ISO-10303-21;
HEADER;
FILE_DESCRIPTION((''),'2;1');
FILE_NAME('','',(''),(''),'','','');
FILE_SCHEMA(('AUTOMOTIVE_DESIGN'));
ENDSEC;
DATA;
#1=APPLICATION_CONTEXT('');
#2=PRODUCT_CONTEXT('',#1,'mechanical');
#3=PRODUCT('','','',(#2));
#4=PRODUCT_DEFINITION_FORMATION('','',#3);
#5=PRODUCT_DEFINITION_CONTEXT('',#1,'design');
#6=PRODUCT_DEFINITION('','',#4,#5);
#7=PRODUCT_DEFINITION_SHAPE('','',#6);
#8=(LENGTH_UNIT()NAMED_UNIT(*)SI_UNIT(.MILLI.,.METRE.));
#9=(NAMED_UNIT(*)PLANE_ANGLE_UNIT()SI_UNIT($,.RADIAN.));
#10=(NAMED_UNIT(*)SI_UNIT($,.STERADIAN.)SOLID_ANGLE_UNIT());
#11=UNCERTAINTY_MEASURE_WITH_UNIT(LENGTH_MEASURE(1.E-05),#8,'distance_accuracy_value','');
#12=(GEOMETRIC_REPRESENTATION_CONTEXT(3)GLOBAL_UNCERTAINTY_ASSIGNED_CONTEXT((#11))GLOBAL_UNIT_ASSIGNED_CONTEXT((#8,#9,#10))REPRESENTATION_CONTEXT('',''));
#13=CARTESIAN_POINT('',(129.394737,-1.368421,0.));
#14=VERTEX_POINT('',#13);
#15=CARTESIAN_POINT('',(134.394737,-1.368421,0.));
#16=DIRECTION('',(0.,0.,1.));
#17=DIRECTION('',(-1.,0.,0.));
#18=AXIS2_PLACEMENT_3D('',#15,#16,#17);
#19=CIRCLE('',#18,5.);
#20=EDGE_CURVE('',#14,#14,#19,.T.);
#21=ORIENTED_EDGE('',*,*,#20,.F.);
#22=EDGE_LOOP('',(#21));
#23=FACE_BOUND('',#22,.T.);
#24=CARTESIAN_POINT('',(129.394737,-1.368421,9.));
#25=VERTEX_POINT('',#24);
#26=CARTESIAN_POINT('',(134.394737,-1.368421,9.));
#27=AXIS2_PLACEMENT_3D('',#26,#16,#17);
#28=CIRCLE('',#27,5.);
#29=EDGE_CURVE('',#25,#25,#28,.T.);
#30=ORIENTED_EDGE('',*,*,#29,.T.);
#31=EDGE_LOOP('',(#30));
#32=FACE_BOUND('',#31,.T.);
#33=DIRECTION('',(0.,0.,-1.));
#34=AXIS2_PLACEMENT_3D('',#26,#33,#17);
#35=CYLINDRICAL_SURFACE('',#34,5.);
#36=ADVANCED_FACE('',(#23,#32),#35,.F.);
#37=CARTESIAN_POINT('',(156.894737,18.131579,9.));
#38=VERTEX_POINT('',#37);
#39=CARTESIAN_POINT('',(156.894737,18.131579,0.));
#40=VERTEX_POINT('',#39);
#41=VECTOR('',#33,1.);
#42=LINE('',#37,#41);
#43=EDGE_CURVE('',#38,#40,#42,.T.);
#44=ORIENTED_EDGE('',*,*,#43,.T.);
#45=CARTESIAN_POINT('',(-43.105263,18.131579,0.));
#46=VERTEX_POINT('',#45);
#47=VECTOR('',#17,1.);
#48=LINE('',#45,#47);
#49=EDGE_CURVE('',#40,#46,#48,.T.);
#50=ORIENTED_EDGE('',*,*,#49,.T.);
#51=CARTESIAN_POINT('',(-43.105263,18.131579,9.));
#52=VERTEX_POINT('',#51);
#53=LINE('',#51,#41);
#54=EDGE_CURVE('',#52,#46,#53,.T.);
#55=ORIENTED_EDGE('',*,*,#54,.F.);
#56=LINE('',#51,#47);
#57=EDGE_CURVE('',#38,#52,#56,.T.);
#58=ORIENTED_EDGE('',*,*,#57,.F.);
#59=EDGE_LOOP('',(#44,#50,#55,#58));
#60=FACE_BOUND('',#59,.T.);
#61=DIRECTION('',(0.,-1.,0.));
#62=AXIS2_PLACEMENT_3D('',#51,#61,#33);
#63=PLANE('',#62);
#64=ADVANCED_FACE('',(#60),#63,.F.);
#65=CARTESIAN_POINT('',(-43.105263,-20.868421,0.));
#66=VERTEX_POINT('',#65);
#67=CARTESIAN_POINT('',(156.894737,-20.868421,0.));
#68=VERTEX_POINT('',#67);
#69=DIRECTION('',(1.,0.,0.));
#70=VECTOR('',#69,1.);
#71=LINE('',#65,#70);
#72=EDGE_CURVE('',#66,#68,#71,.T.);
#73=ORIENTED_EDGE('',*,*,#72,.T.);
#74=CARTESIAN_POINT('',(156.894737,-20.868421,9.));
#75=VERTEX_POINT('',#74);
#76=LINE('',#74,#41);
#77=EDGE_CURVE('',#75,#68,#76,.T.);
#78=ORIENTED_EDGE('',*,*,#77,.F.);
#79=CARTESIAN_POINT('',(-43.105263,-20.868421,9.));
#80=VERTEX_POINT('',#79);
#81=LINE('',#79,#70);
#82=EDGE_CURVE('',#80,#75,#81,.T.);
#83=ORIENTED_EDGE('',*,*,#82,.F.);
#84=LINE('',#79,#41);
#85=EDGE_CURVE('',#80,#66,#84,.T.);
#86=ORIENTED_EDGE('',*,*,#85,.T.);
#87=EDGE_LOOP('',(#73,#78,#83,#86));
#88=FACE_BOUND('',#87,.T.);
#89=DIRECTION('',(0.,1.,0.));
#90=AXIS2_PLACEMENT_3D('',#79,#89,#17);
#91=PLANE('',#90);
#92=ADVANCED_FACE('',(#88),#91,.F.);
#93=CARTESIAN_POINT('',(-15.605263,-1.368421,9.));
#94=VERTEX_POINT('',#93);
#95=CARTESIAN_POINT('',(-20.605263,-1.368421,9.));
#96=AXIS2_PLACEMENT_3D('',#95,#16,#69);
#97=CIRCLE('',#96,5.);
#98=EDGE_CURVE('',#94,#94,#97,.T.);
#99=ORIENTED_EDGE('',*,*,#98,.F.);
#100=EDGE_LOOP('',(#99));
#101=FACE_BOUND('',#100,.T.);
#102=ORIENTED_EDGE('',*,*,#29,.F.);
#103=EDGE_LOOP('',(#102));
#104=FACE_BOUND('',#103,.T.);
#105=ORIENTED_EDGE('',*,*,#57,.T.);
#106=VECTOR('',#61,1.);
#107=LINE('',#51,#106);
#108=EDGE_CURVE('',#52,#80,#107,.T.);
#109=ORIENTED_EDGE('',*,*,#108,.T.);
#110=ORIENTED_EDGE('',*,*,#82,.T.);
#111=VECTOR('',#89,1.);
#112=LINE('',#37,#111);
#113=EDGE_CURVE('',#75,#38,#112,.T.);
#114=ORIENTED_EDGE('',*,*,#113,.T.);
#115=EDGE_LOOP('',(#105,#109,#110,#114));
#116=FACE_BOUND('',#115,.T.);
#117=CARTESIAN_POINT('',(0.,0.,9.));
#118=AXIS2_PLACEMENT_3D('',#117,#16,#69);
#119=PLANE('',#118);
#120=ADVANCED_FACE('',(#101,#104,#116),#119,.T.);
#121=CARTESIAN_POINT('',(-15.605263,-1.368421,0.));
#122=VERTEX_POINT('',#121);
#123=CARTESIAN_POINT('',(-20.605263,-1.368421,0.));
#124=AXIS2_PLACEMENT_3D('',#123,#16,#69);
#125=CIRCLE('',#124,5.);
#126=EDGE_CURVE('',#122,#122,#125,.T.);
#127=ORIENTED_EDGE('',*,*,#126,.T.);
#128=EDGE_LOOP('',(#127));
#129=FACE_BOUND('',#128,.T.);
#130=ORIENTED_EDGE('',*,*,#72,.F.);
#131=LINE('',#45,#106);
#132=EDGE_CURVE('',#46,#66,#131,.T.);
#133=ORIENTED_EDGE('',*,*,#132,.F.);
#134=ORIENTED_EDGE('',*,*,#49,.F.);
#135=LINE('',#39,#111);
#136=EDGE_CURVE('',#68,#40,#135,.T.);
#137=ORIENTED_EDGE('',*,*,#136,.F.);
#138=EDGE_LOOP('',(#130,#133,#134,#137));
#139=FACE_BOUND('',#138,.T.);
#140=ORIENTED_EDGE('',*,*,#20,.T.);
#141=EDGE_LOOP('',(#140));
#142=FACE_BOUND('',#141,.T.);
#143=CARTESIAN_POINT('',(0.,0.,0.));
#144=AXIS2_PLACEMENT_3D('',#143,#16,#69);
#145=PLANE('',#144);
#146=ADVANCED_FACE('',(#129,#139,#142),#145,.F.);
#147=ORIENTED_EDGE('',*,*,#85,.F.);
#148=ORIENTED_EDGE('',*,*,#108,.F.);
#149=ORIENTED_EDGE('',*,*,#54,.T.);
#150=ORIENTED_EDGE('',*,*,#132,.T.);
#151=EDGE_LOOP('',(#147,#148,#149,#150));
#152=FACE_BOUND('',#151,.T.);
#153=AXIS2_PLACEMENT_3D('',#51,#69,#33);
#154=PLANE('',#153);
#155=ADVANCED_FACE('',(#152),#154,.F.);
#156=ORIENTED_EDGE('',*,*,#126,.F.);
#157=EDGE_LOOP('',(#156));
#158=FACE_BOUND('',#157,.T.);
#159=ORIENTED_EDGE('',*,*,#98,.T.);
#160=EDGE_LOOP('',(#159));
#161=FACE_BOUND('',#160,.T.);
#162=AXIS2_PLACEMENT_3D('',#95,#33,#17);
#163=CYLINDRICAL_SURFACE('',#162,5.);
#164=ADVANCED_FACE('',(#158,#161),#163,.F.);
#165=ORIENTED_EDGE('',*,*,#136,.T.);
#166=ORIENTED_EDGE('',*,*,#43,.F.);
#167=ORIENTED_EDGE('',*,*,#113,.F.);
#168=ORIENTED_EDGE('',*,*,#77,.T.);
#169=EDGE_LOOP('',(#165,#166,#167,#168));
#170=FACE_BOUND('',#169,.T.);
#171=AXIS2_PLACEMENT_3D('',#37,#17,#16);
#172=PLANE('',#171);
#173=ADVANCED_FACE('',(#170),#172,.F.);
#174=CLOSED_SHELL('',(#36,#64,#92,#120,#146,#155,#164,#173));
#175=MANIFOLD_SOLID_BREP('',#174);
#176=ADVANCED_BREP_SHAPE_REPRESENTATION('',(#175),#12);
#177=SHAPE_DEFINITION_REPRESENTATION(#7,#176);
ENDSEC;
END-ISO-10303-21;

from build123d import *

# Parameters (mm, degrees)
ESQUISSE1_W        = 200
ESQUISSE1_H        = 39
ESQUISSE1_R        = 5
BOSS_EXTRU_1_DEPTH = 9


with BuildPart() as part:
    # Esquisse1 → Boss.-Extru.1 (new body)
    with BuildSketch(Plane.XY):
        with Locations((56.894736842, -1.368421053)):
            Rectangle(ESQUISSE1_W, ESQUISSE1_H)
        with Locations((-20.605263158, -1.368421053)):
            Circle(ESQUISSE1_R, mode=Mode.SUBTRACT)
        with Locations((134.394736842, -1.368421053)):
            Circle(ESQUISSE1_R, mode=Mode.SUBTRACT)
    extrude(amount=BOSS_EXTRU_1_DEPTH)


solid = part.part
